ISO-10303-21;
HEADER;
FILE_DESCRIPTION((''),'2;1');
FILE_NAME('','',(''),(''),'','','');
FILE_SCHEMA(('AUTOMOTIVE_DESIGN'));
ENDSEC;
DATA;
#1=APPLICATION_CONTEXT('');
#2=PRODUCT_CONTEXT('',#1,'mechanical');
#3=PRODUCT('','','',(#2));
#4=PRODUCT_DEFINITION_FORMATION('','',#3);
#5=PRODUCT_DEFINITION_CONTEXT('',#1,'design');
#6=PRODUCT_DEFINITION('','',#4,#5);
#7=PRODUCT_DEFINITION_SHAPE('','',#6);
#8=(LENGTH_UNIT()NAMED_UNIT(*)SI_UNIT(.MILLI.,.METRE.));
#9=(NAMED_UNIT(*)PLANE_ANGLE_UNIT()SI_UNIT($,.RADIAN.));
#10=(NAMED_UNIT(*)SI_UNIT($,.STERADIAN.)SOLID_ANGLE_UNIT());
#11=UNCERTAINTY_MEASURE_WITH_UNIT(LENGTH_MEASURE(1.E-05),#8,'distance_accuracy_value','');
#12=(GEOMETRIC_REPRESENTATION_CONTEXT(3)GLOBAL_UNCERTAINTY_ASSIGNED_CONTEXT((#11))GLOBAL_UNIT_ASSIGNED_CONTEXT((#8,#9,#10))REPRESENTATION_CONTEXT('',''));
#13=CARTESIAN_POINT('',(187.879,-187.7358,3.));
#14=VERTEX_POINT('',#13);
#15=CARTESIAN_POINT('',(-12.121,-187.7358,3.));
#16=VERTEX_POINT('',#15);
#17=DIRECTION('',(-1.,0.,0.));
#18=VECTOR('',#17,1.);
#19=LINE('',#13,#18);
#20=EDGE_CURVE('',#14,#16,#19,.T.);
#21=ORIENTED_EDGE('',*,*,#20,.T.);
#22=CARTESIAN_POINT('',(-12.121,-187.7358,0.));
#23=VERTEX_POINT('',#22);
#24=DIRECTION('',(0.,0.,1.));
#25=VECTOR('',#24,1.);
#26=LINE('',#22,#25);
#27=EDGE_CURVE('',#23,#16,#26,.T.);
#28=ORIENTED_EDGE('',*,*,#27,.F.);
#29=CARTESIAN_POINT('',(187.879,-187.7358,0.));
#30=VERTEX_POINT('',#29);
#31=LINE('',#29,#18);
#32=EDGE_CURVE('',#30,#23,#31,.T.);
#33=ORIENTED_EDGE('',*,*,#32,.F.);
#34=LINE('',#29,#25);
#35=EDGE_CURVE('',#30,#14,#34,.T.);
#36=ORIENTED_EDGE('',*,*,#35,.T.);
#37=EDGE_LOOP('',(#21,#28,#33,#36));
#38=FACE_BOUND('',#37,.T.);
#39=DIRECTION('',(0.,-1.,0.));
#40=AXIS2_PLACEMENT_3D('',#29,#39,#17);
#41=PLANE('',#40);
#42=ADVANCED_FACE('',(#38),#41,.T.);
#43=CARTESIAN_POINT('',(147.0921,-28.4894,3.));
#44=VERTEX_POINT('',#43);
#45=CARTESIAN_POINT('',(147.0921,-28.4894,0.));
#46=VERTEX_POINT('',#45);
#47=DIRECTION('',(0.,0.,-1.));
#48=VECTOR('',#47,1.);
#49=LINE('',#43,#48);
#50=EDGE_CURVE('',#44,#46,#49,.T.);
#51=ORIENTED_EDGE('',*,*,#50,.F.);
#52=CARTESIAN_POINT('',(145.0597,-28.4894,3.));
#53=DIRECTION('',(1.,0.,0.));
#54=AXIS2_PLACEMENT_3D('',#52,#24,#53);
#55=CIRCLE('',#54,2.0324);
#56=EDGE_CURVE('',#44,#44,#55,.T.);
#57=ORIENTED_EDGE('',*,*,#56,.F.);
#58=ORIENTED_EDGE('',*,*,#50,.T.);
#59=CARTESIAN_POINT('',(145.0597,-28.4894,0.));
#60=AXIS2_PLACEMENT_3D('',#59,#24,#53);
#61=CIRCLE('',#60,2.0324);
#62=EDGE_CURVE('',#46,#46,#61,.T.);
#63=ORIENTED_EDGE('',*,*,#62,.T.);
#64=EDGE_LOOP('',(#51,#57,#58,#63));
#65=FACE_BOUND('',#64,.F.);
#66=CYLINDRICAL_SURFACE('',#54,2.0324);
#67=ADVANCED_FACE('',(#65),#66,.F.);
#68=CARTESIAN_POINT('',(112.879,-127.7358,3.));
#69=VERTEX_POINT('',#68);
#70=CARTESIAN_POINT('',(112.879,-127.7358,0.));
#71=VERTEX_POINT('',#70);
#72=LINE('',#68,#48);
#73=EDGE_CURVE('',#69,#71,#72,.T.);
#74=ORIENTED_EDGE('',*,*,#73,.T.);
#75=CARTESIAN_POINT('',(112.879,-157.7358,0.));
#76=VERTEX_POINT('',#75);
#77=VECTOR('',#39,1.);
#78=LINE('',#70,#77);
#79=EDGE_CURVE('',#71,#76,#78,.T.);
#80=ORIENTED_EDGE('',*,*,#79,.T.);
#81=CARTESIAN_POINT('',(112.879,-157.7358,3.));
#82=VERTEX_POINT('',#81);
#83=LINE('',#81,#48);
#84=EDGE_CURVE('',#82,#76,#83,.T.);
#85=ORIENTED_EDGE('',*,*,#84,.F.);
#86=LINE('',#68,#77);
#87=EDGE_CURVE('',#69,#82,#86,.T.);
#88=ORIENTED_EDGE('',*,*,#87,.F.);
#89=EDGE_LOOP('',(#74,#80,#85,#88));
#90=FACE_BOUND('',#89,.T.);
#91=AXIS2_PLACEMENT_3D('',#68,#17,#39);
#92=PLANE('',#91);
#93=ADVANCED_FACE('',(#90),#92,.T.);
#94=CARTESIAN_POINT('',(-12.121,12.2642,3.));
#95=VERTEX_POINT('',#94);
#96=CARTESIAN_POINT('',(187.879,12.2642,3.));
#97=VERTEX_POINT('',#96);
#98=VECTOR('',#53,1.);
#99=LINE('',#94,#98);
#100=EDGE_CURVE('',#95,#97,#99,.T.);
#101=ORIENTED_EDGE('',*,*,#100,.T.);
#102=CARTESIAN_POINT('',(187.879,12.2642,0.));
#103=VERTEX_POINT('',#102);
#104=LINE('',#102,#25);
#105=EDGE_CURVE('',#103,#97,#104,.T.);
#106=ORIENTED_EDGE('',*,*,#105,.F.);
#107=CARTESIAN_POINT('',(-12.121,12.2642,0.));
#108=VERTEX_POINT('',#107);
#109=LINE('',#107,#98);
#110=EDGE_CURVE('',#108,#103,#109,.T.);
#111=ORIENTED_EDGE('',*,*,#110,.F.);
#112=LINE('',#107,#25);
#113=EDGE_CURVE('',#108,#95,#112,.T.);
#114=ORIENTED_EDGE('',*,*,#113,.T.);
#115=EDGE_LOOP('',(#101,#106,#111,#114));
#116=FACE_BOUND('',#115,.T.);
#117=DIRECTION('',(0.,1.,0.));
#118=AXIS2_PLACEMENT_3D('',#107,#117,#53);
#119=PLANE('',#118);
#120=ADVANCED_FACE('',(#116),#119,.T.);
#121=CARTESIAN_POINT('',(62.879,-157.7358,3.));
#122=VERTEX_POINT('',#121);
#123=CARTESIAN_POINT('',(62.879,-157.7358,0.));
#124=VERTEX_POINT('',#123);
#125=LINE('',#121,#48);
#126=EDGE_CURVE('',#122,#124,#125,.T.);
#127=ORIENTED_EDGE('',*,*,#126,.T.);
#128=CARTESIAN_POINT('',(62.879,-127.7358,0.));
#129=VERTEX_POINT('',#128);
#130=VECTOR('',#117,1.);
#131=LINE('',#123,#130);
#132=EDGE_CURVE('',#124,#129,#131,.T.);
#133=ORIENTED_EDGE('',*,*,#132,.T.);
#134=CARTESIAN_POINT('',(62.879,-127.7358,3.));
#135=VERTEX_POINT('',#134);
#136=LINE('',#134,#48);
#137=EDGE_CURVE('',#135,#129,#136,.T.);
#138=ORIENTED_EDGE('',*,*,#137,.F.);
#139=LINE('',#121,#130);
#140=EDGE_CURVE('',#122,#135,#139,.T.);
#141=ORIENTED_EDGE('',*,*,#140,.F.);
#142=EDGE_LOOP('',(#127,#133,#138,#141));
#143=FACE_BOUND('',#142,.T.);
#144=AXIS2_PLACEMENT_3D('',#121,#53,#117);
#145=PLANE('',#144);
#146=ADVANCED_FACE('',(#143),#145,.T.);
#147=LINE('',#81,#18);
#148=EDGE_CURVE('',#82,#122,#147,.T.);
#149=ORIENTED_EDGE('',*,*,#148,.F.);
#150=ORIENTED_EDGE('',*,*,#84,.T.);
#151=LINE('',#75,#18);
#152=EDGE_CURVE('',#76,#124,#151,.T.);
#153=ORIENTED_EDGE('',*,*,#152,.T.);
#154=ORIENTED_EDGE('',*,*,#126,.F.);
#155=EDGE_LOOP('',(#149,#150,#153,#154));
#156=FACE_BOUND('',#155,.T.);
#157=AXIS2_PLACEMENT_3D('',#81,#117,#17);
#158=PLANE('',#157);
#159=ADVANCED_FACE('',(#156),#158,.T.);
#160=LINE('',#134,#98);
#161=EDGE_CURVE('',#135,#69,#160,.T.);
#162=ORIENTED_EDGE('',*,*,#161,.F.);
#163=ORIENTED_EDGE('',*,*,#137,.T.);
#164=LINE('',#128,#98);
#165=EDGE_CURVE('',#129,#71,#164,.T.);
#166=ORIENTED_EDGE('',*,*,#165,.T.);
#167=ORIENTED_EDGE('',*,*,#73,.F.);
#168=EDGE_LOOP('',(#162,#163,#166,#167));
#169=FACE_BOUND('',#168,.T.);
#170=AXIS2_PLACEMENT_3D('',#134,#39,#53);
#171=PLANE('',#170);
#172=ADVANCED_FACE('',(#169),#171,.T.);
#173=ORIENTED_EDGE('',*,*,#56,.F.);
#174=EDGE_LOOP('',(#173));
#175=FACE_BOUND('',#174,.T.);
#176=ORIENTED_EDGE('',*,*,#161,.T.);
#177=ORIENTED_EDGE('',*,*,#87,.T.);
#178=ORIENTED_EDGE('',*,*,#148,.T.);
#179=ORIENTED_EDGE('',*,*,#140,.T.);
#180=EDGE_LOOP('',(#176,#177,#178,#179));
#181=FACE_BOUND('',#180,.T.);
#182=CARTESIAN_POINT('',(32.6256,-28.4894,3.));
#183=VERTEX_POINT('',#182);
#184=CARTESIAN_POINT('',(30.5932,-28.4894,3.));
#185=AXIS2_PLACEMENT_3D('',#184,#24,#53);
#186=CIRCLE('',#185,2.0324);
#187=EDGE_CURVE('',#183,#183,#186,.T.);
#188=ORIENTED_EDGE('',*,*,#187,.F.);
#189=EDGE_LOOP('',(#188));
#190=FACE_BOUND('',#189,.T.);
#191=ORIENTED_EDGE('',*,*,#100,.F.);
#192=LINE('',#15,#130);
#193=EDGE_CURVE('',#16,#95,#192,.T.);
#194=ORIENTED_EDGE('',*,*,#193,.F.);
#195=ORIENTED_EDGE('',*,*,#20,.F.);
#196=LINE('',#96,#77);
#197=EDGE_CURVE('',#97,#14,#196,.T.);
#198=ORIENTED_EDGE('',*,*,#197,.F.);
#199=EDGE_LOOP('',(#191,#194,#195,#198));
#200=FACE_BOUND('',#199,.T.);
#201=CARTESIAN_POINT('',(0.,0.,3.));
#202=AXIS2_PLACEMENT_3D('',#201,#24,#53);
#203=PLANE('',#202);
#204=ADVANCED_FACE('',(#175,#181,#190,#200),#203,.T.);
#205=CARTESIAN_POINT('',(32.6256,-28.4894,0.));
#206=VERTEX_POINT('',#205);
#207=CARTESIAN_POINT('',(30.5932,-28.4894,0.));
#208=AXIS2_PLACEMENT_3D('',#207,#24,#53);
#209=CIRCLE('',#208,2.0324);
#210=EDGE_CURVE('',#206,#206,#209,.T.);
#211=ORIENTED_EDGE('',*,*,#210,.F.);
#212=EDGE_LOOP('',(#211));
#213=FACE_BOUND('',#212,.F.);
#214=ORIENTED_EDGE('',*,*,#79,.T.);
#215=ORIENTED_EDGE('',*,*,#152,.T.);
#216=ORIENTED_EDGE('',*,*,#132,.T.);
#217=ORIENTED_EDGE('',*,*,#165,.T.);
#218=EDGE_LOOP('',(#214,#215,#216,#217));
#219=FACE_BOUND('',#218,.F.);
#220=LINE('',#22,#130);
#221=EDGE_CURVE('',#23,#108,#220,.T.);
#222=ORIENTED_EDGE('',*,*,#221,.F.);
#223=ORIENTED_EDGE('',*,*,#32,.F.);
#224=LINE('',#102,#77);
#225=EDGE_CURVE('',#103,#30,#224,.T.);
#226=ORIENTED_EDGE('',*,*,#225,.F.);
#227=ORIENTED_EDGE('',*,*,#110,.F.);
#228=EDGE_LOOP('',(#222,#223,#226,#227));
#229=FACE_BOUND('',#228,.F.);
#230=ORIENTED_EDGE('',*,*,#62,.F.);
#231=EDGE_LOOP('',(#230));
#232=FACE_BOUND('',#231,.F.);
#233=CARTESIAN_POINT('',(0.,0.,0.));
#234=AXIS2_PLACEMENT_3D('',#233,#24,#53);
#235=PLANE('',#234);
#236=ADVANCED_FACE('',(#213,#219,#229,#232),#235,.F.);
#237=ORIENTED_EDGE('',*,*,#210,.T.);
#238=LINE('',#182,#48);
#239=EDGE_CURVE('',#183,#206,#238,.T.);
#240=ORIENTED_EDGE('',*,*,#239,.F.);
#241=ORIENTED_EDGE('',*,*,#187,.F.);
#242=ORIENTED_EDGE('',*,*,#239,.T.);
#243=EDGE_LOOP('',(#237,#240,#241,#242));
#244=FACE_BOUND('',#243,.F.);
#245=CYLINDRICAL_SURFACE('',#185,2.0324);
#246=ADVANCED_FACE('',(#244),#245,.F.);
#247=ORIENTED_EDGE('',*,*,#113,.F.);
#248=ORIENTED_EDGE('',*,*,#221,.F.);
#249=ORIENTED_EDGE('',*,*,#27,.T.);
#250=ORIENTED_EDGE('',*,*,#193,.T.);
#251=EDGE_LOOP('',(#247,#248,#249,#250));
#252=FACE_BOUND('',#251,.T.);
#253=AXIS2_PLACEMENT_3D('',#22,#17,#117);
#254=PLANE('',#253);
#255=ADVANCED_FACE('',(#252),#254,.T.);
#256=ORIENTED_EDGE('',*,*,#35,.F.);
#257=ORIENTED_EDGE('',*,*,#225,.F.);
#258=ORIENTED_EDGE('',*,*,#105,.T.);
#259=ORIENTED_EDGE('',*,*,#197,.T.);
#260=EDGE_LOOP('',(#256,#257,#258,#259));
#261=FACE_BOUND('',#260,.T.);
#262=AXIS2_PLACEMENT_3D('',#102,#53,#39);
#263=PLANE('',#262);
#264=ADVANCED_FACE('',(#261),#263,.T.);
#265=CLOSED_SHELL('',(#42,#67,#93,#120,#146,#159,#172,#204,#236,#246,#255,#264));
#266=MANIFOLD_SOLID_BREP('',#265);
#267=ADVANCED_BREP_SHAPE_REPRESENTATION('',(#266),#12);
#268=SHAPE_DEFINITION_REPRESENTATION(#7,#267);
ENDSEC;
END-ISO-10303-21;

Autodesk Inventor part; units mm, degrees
ref_plane "YZ Plane" through (0, 0, 0) normal (1, 0, 0) x (0, 1, 0)
ref_plane "XZ Plane" through (0, 0, 0) normal (0, 1, 0) x (-1, 0, 0)
ref_plane "XY Plane" through (0, 0, 0) normal (0, 0, 1) x (1, 0, 0)
sketch "Sketch1" plane through (0, 0, 0) normal (0, 0, 1) x (1, 0, 0)
  line L0 (-12.121, 12.2642) -> (187.879, 12.2642)
  line L1 (187.879, 12.2642) -> (187.879, -187.7358)
  line L2 (187.879, -187.7358) -> (-12.121, -187.7358)
  line L3 (-12.121, -187.7358) -> (-12.121, 12.2642)
  point P0 (0, 0)
  dimension "d0" = 200
  dimension "d1" = 200
  dimension "d2" = 200
extrude "Extrusion1" add sketch "Sketch1" along normal blind 3
sketch "Sketch2" plane through (0, 0, 3) normal (0, 0, 1) x (1, 0, 0)
  circle A0 centre (30.5932, -28.4894) radius 2.0324
  line L0 (187.879, -187.7358) -> (187.879, 12.2642) projected
  circle A1 centre (145.0597, -28.4894) radius 2.0324
  line L1 (62.879, -127.7358) -> (112.879, -127.7358)
  line L2 (112.879, -127.7358) -> (112.879, -157.7358)
  line L3 (112.879, -157.7358) -> (62.879, -157.7358)
  line L4 (62.879, -157.7358) -> (62.879, -127.7358)
  line L5 (-12.121, -187.7358) -> (187.879, -187.7358) projected
  line L6 (-12.121, 12.2642) -> (-12.121, -187.7358) projected
  point P0 (0, 0)
  point P1 (42.5932, -63.9945)
  point P2 (133.0597, -63.9945)
  point P3 (62.879, -142.7358)
  dimension "d14" = 12
  dimension "d15" = 12
  dimension "d16" = 50
  dimension "d17" = 30
  dimension "d18" = 30
  dimension "d19" = 75
extrude "Extrusion2" cut sketch "Sketch2" against normal blind 3
properties part number "facef" material "Glass"
